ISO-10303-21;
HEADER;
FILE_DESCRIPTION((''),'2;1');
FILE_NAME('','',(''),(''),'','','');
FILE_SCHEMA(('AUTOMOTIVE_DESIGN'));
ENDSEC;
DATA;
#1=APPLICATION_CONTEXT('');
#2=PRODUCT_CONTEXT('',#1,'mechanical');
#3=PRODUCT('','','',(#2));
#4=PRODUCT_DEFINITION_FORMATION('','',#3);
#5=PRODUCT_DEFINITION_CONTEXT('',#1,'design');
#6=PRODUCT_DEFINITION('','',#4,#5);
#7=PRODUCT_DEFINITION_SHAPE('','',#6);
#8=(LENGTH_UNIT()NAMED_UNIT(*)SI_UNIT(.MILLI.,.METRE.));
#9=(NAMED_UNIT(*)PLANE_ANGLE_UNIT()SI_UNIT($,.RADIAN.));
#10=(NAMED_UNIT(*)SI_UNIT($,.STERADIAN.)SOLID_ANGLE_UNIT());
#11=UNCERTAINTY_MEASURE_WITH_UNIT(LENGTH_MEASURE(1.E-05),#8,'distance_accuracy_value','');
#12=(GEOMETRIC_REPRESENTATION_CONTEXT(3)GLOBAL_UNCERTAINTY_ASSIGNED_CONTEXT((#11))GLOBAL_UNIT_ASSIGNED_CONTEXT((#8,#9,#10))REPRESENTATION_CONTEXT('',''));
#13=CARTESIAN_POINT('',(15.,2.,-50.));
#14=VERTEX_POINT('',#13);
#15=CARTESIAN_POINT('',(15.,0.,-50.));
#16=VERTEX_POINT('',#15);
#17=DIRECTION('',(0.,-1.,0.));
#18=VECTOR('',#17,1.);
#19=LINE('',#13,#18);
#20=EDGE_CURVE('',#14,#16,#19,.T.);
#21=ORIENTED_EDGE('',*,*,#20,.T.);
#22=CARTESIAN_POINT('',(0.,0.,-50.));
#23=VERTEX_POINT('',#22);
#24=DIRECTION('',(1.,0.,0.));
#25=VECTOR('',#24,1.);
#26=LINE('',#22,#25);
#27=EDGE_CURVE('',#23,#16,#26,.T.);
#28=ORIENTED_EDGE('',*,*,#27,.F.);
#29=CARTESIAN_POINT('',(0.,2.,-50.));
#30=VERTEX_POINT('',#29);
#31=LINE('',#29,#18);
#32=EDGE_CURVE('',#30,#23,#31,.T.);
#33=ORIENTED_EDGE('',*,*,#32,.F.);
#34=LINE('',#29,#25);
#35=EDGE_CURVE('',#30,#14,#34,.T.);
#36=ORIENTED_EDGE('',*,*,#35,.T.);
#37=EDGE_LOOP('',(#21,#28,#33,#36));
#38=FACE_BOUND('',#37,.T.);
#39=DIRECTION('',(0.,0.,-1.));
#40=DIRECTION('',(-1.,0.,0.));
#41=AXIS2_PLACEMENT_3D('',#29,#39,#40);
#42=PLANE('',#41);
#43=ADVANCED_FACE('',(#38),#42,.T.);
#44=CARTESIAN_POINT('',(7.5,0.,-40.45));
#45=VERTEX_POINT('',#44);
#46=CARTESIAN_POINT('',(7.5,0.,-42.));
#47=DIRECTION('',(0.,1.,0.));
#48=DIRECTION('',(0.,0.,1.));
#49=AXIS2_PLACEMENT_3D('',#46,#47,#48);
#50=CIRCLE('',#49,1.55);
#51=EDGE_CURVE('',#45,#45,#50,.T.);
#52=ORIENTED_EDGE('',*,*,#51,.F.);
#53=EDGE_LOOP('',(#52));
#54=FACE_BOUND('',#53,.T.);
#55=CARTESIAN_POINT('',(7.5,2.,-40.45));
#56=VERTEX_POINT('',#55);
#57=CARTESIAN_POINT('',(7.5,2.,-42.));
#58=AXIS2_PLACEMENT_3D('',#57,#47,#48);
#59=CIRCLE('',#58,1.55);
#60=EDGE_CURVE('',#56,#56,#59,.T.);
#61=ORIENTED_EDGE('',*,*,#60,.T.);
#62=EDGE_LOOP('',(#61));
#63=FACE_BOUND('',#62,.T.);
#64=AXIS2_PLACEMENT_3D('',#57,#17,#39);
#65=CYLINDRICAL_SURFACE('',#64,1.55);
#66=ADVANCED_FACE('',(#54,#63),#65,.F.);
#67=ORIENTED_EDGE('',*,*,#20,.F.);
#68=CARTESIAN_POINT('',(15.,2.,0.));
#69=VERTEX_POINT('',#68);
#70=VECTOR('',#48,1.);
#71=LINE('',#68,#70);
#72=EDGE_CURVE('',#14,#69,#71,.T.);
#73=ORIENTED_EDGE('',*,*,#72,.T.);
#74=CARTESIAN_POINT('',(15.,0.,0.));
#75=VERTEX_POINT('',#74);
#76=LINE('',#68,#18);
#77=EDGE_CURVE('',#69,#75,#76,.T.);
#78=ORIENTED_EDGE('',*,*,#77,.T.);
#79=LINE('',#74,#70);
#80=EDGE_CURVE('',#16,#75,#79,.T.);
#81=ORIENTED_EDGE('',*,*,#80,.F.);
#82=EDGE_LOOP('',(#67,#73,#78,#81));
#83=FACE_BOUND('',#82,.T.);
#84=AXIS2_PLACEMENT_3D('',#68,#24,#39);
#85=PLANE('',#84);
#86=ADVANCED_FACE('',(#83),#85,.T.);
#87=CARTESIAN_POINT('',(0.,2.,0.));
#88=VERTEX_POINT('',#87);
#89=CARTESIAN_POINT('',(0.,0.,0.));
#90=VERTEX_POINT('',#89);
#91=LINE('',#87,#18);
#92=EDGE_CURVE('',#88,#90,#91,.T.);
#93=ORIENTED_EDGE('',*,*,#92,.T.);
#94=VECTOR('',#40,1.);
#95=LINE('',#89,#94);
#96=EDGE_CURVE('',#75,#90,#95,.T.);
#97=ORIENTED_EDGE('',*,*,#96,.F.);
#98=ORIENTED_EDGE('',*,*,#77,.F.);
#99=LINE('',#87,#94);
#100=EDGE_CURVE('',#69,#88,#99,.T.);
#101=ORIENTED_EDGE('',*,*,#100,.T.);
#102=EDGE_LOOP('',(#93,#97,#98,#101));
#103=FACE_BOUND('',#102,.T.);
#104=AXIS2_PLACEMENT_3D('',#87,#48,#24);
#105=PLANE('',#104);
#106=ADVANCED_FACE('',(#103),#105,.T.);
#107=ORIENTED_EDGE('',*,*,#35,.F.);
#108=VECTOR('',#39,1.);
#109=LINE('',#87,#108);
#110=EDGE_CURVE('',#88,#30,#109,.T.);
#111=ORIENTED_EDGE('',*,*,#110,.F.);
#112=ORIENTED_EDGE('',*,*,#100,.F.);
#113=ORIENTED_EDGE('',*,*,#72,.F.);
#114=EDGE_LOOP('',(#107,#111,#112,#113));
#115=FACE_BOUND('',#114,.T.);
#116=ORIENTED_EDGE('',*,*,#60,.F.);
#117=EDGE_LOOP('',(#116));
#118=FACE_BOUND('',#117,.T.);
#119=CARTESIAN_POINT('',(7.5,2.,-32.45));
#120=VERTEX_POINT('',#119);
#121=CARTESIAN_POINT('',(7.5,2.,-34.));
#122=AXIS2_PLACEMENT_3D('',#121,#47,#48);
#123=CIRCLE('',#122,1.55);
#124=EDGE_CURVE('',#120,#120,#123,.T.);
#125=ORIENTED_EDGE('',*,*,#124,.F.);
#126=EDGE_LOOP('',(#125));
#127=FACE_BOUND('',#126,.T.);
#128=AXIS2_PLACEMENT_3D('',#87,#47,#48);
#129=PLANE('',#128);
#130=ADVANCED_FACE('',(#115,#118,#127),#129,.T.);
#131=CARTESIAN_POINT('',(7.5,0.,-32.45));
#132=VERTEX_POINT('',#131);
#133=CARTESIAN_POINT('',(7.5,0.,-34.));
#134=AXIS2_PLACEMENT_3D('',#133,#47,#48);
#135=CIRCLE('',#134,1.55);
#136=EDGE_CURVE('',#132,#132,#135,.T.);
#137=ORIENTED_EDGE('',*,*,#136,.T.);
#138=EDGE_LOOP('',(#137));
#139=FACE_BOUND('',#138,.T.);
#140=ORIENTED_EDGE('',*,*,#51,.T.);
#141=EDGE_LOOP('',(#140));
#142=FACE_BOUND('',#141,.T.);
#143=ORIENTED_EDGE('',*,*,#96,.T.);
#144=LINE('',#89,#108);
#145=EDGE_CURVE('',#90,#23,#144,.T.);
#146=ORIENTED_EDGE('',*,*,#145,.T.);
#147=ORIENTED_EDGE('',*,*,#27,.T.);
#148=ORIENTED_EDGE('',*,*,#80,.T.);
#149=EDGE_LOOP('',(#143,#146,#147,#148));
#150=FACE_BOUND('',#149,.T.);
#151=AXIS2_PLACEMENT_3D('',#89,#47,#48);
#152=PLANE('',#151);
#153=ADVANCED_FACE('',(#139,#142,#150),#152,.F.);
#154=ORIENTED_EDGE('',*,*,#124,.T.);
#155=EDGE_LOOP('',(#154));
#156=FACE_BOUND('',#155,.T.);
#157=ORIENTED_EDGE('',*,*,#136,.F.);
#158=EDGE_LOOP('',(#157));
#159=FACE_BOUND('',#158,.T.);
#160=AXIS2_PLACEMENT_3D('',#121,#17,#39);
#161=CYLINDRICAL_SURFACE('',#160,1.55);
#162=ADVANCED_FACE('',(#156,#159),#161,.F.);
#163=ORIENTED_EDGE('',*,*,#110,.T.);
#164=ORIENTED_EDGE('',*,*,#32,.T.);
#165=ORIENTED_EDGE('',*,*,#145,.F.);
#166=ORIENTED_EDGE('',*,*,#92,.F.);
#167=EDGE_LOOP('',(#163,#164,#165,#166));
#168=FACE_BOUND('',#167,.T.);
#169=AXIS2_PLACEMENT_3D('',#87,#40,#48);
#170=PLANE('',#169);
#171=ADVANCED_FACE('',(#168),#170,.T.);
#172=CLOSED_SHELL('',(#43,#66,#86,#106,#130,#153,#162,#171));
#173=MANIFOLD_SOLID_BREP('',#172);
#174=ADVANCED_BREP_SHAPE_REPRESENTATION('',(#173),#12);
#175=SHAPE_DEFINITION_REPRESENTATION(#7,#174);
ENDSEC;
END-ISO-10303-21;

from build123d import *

# Parameters (mm, degrees)
SKETCH_1_W      = 15
SKETCH_1_H      = 50
SKETCH_1_R      = 1.55
EXTRUDE_1_DEPTH = 2


with BuildPart() as part:
    # 草图1 → 凸台-拉伸1 (new body)
    with BuildSketch(Plane(origin=(0, 0, 0), x_dir=(1, 0, 0), z_dir=(0, 1, 0))):
        with Locations((7.5, 25)):
            Rectangle(SKETCH_1_W, SKETCH_1_H)
        with Locations((7.5, 42)):
            Circle(SKETCH_1_R, mode=Mode.SUBTRACT)
        with Locations((7.5, 34)):
            Circle(SKETCH_1_R, mode=Mode.SUBTRACT)
    extrude(amount=EXTRUDE_1_DEPTH)


solid = part.part
